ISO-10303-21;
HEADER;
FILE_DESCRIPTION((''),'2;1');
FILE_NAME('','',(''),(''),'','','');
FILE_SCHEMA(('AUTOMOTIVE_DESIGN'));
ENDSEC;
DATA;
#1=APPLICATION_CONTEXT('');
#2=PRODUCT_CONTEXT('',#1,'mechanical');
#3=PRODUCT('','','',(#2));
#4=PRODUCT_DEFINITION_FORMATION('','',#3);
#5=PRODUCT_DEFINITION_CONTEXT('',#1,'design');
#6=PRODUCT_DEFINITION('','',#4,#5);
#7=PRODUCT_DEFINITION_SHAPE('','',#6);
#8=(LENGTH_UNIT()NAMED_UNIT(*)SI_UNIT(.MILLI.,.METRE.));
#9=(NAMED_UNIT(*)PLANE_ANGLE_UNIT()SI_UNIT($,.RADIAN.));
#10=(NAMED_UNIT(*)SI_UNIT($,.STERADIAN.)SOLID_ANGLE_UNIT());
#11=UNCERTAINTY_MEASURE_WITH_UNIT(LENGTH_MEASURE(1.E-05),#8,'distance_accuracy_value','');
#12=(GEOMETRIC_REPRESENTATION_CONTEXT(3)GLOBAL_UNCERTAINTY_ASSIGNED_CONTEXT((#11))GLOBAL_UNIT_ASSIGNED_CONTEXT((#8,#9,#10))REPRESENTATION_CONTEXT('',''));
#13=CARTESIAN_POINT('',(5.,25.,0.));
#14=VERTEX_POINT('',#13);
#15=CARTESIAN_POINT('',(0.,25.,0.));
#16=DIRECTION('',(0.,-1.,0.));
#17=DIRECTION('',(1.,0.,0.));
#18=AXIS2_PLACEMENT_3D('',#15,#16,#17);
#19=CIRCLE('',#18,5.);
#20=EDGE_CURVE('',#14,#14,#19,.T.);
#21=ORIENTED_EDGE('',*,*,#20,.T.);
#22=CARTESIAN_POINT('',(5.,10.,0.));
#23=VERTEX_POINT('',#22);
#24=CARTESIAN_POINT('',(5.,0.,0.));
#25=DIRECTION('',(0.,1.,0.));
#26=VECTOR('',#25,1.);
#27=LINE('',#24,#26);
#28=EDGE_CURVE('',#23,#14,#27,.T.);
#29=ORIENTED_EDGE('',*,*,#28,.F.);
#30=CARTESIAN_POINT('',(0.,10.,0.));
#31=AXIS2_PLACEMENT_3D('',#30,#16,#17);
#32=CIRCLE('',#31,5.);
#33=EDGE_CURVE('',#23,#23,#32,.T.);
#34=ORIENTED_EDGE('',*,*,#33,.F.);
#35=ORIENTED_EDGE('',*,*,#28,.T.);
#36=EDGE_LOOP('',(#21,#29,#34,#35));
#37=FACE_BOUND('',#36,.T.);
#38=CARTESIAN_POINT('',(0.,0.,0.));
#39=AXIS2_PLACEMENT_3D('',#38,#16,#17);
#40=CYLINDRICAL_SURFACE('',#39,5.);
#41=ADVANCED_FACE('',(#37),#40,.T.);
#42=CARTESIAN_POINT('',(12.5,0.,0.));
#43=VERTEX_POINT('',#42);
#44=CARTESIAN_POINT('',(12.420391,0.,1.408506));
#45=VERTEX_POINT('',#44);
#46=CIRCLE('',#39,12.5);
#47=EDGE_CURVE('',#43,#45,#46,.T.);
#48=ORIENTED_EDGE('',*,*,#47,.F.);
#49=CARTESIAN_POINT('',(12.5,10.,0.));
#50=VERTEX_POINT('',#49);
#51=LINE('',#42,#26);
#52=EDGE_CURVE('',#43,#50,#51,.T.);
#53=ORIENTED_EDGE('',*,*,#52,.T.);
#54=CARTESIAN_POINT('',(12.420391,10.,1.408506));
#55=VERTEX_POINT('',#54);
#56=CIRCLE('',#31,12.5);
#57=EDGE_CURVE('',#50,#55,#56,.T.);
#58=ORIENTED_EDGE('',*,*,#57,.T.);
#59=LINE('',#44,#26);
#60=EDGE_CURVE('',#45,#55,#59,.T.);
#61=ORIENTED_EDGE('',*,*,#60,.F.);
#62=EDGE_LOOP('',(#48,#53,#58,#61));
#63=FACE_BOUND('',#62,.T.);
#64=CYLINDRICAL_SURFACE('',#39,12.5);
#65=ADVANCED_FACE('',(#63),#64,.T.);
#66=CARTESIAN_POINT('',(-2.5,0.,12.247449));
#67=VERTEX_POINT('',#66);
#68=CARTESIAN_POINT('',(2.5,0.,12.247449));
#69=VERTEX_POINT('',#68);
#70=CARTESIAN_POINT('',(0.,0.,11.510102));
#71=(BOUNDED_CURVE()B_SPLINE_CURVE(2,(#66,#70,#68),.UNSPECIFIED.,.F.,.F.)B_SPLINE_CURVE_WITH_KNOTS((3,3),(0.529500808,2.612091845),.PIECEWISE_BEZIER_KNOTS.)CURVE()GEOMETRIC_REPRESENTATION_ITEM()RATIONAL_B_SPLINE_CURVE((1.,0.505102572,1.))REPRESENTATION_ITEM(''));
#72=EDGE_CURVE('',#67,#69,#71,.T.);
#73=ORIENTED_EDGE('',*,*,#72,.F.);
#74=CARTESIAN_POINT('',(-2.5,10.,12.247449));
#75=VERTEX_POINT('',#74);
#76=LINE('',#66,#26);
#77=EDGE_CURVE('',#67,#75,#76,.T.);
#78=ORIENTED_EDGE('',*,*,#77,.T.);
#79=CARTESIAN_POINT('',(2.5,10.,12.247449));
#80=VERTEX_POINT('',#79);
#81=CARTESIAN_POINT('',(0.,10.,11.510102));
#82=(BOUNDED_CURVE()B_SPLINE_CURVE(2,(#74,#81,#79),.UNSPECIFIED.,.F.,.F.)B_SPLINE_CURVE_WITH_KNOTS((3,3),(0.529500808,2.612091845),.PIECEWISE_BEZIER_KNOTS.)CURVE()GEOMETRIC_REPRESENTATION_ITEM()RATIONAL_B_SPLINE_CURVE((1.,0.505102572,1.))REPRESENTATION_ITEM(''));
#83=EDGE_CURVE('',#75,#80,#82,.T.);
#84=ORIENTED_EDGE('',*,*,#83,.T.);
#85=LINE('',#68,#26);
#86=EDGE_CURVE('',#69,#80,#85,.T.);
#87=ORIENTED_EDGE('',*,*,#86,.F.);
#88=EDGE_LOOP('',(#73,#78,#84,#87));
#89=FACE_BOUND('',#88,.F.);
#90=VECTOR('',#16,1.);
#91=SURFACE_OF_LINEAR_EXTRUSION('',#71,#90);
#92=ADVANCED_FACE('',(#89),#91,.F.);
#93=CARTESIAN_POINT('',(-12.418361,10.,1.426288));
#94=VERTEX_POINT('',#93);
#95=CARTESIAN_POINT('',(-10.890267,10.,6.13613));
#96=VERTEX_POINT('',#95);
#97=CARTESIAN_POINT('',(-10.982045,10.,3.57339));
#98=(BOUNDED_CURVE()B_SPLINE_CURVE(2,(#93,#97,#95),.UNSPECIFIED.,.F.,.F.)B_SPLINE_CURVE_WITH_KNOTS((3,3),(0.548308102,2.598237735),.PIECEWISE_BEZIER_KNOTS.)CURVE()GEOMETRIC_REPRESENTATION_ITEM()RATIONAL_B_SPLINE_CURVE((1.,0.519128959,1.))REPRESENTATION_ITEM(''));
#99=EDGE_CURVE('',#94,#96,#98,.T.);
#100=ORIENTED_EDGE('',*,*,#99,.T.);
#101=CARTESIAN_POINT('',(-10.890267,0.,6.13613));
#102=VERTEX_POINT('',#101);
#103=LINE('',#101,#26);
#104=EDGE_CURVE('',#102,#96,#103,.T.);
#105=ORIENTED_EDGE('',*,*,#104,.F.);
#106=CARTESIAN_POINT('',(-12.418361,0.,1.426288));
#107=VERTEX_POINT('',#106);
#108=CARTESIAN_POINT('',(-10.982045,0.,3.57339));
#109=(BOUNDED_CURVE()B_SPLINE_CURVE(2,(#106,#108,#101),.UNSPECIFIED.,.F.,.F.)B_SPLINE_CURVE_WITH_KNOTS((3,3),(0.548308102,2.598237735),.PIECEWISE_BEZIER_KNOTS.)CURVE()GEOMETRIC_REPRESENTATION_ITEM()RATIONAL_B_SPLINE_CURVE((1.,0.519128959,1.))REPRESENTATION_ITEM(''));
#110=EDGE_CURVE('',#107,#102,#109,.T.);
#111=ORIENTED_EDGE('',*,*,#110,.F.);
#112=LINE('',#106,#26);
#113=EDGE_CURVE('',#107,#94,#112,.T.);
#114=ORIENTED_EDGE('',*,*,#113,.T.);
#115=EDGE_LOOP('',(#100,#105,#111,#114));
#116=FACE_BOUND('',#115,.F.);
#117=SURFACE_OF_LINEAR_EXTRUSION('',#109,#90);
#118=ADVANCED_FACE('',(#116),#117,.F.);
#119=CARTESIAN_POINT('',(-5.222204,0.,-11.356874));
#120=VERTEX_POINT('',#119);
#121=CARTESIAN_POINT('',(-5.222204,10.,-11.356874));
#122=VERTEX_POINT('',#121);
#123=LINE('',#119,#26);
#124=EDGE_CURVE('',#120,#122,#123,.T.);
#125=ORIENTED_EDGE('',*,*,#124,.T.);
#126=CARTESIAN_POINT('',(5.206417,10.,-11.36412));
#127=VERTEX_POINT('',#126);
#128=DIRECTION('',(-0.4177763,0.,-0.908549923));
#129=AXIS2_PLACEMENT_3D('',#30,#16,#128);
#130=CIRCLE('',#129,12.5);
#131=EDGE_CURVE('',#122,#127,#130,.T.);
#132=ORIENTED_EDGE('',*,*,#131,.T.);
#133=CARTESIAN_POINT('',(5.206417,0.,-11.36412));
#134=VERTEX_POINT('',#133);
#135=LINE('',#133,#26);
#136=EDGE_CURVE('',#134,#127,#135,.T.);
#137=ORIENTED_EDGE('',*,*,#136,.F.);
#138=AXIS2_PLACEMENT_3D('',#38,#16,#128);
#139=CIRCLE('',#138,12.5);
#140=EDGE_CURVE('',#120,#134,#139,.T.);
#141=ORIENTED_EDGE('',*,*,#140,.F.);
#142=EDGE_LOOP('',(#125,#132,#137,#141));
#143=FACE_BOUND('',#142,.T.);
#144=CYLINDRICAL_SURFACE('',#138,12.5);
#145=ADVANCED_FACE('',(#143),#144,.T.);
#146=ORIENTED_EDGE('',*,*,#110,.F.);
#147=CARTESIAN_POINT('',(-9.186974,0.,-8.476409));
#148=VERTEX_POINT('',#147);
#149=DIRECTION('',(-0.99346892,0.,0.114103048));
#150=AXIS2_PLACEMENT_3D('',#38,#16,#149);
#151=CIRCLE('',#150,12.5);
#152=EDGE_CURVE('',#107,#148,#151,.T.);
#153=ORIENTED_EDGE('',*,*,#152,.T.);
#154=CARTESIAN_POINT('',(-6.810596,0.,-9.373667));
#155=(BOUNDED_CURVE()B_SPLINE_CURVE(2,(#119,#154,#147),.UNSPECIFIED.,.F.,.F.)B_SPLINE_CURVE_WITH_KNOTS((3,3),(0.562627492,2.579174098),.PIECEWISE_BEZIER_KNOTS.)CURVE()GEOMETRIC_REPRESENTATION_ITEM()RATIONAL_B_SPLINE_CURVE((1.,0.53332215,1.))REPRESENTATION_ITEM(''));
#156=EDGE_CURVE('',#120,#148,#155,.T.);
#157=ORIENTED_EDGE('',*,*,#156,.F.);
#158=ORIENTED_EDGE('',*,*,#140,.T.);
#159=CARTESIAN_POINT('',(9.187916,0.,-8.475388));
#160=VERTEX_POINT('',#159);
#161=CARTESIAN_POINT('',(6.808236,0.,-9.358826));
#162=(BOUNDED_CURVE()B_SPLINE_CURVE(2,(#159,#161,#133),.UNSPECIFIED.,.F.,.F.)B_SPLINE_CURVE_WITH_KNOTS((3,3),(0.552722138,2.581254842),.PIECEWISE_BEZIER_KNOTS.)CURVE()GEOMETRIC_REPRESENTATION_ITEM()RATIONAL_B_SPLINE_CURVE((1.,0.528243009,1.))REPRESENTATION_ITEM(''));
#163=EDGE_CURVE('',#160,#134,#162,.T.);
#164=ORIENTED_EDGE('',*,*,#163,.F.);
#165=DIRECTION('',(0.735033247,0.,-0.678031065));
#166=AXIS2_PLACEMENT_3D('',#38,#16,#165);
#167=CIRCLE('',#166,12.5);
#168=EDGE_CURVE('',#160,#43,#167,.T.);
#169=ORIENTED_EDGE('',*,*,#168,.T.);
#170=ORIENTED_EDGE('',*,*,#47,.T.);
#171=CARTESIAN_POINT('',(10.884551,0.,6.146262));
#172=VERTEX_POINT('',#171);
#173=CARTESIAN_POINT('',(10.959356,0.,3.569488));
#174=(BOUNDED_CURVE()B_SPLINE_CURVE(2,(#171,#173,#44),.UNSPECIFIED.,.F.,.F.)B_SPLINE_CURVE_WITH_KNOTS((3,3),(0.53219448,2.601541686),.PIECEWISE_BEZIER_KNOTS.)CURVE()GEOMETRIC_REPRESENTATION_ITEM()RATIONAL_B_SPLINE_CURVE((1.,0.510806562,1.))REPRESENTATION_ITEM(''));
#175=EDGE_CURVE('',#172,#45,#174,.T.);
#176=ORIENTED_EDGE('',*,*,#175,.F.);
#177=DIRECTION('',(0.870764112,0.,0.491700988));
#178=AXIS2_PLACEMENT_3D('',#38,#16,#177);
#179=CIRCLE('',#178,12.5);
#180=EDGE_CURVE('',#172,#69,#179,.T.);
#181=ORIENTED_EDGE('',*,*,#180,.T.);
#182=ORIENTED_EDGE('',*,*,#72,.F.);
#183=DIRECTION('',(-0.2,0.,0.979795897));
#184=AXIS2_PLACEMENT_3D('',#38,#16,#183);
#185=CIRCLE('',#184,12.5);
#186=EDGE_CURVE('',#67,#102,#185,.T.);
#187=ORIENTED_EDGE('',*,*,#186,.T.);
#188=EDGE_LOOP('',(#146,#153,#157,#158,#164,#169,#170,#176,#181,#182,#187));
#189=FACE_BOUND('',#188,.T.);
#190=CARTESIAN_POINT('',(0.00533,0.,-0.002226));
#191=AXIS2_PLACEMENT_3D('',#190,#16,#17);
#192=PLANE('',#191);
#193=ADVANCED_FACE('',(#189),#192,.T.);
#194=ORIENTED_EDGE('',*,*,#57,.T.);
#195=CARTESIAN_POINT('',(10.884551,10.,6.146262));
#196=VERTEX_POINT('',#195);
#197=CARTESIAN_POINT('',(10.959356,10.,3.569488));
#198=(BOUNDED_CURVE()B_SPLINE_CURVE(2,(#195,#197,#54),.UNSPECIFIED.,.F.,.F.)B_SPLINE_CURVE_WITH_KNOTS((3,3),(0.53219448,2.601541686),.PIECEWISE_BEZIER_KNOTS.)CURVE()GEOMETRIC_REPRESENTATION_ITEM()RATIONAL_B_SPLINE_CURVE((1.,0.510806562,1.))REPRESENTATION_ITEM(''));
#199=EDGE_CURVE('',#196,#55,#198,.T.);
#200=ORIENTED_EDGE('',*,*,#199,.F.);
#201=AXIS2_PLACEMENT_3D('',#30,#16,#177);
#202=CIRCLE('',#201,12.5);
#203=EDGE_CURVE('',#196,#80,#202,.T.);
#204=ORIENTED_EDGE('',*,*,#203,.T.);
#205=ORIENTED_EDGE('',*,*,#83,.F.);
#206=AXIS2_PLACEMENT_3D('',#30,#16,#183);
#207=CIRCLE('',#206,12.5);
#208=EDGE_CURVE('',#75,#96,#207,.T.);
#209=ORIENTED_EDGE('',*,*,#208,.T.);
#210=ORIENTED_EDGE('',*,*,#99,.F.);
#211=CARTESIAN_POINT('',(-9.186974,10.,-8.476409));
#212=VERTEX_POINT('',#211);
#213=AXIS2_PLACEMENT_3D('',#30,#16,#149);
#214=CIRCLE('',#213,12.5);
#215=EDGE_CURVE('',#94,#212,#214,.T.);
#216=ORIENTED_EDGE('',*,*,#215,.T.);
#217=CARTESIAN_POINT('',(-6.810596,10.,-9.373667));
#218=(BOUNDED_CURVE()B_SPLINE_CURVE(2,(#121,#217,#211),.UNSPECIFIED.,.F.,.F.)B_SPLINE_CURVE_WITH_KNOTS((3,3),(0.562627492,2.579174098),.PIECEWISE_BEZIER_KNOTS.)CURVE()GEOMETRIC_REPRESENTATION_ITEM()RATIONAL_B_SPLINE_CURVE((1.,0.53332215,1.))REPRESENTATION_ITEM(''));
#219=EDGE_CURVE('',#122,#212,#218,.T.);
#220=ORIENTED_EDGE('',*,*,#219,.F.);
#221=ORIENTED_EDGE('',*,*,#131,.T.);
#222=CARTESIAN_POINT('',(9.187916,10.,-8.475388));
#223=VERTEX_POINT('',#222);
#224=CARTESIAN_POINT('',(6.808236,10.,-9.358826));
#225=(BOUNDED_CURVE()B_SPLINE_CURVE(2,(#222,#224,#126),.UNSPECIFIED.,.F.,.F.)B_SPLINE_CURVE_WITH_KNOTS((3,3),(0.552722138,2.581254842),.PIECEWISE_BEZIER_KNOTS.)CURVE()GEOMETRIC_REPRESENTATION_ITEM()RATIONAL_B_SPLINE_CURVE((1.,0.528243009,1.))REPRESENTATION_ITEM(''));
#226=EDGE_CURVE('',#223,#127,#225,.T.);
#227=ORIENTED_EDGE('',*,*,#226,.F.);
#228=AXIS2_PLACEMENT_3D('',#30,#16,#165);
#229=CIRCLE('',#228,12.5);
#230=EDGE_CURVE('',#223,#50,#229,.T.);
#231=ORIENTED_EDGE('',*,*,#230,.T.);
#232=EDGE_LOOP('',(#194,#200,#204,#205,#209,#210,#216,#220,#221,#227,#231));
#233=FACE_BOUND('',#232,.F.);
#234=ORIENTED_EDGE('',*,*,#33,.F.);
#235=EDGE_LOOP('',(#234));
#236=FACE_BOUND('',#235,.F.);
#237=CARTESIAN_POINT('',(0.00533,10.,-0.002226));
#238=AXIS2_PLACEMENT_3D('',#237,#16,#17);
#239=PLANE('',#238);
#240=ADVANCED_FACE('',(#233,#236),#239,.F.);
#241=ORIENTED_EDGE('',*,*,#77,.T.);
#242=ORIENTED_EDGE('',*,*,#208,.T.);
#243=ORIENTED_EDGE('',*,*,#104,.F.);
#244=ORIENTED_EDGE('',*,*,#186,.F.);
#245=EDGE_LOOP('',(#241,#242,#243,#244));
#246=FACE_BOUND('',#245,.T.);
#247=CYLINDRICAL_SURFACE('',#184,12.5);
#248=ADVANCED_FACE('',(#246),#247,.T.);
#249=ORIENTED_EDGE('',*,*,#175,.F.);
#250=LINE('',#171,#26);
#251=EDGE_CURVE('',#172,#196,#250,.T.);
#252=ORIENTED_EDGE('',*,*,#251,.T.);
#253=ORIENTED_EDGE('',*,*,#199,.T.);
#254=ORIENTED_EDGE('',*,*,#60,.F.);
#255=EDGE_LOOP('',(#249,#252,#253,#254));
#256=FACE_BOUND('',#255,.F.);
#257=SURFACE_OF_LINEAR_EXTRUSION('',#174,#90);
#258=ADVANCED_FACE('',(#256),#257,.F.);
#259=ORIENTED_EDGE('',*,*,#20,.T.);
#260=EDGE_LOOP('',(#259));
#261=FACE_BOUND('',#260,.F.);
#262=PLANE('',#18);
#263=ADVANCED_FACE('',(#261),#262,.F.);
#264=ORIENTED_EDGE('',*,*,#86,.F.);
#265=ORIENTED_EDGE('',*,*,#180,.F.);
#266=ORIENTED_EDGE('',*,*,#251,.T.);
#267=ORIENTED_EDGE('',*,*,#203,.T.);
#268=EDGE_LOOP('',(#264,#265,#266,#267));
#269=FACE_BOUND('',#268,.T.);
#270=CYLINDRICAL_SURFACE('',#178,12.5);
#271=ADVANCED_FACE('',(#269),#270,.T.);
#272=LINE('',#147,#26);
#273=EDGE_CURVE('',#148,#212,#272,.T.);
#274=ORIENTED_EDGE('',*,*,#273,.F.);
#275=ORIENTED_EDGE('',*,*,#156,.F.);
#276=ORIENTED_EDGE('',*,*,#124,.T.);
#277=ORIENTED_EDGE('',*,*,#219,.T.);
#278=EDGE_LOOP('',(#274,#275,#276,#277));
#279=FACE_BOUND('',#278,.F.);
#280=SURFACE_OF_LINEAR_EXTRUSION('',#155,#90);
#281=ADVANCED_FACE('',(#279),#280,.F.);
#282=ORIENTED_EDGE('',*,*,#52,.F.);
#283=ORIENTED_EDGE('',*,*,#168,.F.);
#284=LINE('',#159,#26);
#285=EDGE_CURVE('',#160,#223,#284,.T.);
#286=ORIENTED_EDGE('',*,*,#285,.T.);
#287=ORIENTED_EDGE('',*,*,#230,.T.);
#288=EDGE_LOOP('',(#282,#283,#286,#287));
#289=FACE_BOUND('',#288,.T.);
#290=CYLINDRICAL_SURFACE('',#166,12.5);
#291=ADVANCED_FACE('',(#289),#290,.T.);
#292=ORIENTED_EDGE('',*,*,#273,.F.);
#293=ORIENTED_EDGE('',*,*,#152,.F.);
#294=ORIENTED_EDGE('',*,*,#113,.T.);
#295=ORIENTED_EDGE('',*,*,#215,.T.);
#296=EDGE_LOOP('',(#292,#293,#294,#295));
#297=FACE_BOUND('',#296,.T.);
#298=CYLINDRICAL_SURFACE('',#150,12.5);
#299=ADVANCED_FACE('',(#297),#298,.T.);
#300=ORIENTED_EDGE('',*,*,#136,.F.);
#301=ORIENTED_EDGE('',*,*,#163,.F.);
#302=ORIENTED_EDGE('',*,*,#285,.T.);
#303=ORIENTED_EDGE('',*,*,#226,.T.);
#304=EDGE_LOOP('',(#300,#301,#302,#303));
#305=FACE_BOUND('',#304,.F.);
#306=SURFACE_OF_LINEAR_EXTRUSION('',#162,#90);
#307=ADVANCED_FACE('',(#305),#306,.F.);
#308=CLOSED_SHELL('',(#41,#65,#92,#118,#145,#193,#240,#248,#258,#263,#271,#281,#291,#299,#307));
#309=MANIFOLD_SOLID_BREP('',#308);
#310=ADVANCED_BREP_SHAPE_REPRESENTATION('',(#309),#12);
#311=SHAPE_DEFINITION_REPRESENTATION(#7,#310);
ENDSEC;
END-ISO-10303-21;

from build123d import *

# Parameters (mm, degrees)
F0_R     = 5
F1_DEPTH = 25
F2_DEPTH = 10


with BuildPart() as f1:
    # F0 (on Front) → F1 (new body)
    with BuildSketch(Plane.XZ):
        Circle(F0_R)
    extrude(amount=-F1_DEPTH)

    # F0 (on Front) → F2 (join)
    with BuildSketch(Plane.XZ):
        with BuildLine():
            ThreePointArc((10.8845513989, 6.1462623475), (7.3547721112, 10.1072907939), (2.5, 12.2474487139))
            add(Edge.make_bspline(
                [(-2.5, 12.2474487139), (0, 11.5101020514), (2.5, 12.2474487139)],
                knots=[0.5295008084, 0.5295008084, 0.5295008084, 2.6120918452, 2.6120918452, 2.6120918452], degree=2, weights=[1, 0.5051025722, 1]))
            ThreePointArc((-2.5, 12.2474487139), (-7.3594746101, 10.1038672529), (-10.8902668496, 6.1361297203))
            add(Edge.make_bspline(
                [(-12.4183614967, 1.4262880979), (-10.9820454119, 3.5733899362), (-10.8902668496, 6.1361297203)],
                knots=[0.5483081022, 0.5483081022, 0.5483081022, 2.5982377345, 2.5982377345, 2.5982377345], degree=2, weights=[1, 0.5191289586, 1]))
            ThreePointArc((-12.4183614967, 1.4262880979), (-11.883327852, -3.8776950837), (-9.1869736579, -8.4764093228))
            add(Edge.make_bspline(
                [(-5.2222037532, -11.35687404), (-6.8105963999, -9.3736670378), (-9.1869736579, -8.4764093228)],
                knots=[0.5626274917, 0.5626274917, 0.5626274917, 2.5791740982, 2.5791740982, 2.5791740982], degree=2, weights=[1, 0.5333221495, 1]))
            ThreePointArc((-5.2222037532, -11.35687404), (-0.008685173, -12.4999969827), (5.2064168882, -11.3641199917))
            add(Edge.make_bspline(
                [(9.1879155932, -8.4753883128), (6.8082361023, -9.3588262471), (5.2064168882, -11.3641199917)],
                knots=[0.5527221385, 0.5527221385, 0.5527221385, 2.5812548422, 2.5812548422, 2.5812548422], degree=2, weights=[1, 0.5282430094, 1]))
            ThreePointArc((9.1879155932, -8.4753883128), (11.6425715569, -4.5497832413), (12.5, 0))
            ThreePointArc((12.5, 0), (12.4800818706, 0.7053768519), (12.4203909595, 1.4085057378))
            add(Edge.make_bspline(
                [(10.8845513989, 6.1462623475), (10.9593557736, 3.5694882441), (12.4203909595, 1.4085057378)],
                knots=[0.53219448, 0.53219448, 0.53219448, 2.6015416859, 2.6015416859, 2.6015416859], degree=2, weights=[1, 0.510806562, 1]))
        make_face()
        Circle(F0_R, mode=Mode.SUBTRACT)
    extrude(amount=-F2_DEPTH)


solid = f1.part
